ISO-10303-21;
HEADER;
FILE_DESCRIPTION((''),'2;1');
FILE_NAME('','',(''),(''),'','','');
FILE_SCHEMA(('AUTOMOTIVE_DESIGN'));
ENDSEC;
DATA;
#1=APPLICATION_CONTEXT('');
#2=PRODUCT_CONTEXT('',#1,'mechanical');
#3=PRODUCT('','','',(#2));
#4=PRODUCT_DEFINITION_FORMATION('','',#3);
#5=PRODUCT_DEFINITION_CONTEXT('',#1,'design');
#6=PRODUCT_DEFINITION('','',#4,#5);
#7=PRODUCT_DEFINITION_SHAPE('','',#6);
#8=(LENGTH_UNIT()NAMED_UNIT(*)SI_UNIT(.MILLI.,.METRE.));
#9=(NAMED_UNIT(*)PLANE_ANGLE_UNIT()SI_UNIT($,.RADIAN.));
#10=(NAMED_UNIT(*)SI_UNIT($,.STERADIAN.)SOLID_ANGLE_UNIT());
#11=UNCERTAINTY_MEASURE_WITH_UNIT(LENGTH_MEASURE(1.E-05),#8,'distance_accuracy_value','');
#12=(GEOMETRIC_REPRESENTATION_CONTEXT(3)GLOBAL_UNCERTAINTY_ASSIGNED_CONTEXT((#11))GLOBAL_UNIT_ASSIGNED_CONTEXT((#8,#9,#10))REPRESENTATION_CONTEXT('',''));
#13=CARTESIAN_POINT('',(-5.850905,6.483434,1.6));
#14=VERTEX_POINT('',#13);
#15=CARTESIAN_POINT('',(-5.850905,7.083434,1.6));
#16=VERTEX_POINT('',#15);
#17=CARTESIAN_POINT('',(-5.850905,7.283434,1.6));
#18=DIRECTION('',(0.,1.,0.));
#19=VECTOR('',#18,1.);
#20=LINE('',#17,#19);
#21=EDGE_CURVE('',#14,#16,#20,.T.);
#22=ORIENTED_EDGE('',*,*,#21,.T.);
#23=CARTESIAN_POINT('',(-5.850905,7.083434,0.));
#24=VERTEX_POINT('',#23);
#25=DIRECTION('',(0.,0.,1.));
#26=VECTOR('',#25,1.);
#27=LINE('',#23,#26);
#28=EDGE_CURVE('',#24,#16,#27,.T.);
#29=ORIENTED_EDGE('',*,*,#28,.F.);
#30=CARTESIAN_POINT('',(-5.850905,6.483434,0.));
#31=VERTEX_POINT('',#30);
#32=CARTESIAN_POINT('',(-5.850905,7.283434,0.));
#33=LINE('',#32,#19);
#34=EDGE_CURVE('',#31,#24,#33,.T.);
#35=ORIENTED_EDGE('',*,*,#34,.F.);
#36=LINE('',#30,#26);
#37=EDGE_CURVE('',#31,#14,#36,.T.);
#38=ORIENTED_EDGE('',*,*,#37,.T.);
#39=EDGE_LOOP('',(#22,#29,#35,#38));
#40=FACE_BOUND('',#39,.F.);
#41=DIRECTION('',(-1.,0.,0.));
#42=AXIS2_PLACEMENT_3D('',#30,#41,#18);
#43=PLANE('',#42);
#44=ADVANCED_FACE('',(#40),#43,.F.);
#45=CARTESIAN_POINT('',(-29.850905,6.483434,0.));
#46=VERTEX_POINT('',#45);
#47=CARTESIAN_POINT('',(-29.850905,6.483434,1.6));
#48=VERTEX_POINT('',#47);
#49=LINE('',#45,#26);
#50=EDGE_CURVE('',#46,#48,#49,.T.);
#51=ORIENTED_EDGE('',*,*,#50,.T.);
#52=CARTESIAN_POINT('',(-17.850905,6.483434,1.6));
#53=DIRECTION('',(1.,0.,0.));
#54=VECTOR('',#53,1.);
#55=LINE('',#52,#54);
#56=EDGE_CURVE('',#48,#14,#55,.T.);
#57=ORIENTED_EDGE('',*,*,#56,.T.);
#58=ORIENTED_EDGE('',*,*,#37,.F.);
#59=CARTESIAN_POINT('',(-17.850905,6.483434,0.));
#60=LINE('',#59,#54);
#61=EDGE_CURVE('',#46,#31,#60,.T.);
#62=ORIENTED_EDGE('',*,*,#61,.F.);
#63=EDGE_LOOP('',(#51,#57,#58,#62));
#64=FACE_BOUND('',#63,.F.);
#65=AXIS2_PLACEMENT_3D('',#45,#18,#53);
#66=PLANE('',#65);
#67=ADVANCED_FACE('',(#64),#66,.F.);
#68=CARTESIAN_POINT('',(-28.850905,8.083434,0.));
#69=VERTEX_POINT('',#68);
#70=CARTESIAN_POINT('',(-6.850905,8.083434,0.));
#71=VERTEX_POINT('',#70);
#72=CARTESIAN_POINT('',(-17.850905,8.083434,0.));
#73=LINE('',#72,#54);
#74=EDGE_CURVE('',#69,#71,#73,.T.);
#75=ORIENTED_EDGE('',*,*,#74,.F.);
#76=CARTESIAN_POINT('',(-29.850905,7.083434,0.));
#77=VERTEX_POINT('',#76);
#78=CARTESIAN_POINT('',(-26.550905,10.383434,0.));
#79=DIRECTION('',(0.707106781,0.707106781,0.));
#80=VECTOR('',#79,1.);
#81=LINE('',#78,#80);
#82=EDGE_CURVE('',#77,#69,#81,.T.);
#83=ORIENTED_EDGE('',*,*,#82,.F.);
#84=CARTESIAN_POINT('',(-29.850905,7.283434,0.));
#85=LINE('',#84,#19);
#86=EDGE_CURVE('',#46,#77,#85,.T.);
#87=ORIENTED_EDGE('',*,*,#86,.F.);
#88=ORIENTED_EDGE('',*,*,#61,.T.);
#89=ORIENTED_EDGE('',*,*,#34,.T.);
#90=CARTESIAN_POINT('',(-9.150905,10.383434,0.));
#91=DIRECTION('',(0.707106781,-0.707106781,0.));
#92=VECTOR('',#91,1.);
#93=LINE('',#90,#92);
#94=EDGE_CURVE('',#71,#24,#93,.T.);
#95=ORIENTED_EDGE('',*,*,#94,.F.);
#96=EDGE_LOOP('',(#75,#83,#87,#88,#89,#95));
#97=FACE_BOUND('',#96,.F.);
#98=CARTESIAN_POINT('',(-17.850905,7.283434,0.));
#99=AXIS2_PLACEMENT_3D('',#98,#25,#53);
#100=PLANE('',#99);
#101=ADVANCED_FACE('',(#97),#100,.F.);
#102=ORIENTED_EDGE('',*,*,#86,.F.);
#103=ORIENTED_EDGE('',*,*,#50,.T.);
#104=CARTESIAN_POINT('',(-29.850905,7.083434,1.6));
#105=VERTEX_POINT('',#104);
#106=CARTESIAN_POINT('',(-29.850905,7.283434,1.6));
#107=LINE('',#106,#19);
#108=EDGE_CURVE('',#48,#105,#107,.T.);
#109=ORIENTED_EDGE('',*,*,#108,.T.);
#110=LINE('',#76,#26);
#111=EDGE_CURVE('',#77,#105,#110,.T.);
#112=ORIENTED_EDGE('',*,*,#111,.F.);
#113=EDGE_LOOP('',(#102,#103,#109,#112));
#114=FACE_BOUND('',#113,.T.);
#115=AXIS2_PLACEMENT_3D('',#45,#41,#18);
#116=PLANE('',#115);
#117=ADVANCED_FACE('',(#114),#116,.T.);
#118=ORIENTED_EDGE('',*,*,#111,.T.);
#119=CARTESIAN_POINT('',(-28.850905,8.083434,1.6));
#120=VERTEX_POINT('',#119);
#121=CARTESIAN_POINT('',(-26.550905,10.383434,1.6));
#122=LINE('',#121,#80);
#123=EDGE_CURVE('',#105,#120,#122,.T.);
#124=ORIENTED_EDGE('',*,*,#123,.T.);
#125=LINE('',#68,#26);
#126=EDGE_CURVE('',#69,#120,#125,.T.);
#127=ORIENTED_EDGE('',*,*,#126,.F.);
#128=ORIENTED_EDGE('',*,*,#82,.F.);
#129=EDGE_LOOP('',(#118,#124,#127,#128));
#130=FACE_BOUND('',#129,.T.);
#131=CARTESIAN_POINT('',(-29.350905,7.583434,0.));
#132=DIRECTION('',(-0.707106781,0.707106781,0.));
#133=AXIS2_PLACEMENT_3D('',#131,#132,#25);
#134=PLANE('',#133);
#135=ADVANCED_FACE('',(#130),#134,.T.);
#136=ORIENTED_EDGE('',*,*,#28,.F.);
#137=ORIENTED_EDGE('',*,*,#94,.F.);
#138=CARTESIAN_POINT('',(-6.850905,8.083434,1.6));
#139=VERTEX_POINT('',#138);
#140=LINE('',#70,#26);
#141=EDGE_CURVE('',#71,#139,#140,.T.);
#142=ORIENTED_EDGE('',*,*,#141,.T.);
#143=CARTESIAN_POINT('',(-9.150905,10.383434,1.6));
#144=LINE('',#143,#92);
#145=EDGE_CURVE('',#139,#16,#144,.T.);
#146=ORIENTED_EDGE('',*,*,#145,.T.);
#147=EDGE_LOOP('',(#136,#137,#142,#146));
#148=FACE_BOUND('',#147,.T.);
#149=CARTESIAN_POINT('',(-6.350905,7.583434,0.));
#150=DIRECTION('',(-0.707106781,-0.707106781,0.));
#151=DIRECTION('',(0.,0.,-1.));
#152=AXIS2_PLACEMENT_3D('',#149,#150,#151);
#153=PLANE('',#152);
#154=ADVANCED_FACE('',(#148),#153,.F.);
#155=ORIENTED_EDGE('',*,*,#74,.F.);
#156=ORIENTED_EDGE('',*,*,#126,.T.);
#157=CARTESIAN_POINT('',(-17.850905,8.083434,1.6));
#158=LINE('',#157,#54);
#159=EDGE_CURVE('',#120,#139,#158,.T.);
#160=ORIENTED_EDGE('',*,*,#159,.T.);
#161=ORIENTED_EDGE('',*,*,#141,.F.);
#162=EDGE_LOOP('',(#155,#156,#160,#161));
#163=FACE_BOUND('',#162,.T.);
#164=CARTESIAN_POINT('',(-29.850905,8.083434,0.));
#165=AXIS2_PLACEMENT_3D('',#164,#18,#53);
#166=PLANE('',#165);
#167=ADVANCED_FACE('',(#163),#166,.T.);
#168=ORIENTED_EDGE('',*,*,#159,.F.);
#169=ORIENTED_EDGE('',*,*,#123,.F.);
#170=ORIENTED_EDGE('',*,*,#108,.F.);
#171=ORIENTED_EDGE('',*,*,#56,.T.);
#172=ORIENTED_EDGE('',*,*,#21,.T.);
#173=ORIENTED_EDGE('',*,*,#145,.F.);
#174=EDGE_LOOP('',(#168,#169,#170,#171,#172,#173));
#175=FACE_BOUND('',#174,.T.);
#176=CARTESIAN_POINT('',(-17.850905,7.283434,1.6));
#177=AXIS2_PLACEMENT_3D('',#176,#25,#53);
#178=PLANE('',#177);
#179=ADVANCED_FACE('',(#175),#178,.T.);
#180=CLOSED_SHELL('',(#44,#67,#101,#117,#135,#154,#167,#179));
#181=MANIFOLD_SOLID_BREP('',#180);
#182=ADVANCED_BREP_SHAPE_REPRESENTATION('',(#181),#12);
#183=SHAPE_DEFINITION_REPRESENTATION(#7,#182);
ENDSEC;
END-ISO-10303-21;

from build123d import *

# Parameters (mm, degrees)
F0_W     = 24
F0_H     = 1.6
F1_DEPTH = 1.6
F2_SIZE2 = 1
F2_SIZE  = 1
F3_SIZE  = 1


with BuildPart() as f1:
    # F0 (on Top) → F1 (new body)
    with BuildSketch(Plane.XY):
        with Locations((-17.850905, 7.283434)):
            Rectangle(F0_W, F0_H)
    extrude(amount=F1_DEPTH)

    # F2
    f2_edges = [f1.edges().sort_by_distance(p)[0] for p in [
        (-29.850905, 8.083434, 0.8),
    ]]
    chamfer(f2_edges, length=F2_SIZE, length2=F2_SIZE2)

    # F3
    f3_edges = [f1.edges().sort_by_distance(p)[0] for p in [
        (-5.850905, 8.083434, 0.8),
    ]]
    chamfer(f3_edges, length=F3_SIZE)


solid = f1.part
